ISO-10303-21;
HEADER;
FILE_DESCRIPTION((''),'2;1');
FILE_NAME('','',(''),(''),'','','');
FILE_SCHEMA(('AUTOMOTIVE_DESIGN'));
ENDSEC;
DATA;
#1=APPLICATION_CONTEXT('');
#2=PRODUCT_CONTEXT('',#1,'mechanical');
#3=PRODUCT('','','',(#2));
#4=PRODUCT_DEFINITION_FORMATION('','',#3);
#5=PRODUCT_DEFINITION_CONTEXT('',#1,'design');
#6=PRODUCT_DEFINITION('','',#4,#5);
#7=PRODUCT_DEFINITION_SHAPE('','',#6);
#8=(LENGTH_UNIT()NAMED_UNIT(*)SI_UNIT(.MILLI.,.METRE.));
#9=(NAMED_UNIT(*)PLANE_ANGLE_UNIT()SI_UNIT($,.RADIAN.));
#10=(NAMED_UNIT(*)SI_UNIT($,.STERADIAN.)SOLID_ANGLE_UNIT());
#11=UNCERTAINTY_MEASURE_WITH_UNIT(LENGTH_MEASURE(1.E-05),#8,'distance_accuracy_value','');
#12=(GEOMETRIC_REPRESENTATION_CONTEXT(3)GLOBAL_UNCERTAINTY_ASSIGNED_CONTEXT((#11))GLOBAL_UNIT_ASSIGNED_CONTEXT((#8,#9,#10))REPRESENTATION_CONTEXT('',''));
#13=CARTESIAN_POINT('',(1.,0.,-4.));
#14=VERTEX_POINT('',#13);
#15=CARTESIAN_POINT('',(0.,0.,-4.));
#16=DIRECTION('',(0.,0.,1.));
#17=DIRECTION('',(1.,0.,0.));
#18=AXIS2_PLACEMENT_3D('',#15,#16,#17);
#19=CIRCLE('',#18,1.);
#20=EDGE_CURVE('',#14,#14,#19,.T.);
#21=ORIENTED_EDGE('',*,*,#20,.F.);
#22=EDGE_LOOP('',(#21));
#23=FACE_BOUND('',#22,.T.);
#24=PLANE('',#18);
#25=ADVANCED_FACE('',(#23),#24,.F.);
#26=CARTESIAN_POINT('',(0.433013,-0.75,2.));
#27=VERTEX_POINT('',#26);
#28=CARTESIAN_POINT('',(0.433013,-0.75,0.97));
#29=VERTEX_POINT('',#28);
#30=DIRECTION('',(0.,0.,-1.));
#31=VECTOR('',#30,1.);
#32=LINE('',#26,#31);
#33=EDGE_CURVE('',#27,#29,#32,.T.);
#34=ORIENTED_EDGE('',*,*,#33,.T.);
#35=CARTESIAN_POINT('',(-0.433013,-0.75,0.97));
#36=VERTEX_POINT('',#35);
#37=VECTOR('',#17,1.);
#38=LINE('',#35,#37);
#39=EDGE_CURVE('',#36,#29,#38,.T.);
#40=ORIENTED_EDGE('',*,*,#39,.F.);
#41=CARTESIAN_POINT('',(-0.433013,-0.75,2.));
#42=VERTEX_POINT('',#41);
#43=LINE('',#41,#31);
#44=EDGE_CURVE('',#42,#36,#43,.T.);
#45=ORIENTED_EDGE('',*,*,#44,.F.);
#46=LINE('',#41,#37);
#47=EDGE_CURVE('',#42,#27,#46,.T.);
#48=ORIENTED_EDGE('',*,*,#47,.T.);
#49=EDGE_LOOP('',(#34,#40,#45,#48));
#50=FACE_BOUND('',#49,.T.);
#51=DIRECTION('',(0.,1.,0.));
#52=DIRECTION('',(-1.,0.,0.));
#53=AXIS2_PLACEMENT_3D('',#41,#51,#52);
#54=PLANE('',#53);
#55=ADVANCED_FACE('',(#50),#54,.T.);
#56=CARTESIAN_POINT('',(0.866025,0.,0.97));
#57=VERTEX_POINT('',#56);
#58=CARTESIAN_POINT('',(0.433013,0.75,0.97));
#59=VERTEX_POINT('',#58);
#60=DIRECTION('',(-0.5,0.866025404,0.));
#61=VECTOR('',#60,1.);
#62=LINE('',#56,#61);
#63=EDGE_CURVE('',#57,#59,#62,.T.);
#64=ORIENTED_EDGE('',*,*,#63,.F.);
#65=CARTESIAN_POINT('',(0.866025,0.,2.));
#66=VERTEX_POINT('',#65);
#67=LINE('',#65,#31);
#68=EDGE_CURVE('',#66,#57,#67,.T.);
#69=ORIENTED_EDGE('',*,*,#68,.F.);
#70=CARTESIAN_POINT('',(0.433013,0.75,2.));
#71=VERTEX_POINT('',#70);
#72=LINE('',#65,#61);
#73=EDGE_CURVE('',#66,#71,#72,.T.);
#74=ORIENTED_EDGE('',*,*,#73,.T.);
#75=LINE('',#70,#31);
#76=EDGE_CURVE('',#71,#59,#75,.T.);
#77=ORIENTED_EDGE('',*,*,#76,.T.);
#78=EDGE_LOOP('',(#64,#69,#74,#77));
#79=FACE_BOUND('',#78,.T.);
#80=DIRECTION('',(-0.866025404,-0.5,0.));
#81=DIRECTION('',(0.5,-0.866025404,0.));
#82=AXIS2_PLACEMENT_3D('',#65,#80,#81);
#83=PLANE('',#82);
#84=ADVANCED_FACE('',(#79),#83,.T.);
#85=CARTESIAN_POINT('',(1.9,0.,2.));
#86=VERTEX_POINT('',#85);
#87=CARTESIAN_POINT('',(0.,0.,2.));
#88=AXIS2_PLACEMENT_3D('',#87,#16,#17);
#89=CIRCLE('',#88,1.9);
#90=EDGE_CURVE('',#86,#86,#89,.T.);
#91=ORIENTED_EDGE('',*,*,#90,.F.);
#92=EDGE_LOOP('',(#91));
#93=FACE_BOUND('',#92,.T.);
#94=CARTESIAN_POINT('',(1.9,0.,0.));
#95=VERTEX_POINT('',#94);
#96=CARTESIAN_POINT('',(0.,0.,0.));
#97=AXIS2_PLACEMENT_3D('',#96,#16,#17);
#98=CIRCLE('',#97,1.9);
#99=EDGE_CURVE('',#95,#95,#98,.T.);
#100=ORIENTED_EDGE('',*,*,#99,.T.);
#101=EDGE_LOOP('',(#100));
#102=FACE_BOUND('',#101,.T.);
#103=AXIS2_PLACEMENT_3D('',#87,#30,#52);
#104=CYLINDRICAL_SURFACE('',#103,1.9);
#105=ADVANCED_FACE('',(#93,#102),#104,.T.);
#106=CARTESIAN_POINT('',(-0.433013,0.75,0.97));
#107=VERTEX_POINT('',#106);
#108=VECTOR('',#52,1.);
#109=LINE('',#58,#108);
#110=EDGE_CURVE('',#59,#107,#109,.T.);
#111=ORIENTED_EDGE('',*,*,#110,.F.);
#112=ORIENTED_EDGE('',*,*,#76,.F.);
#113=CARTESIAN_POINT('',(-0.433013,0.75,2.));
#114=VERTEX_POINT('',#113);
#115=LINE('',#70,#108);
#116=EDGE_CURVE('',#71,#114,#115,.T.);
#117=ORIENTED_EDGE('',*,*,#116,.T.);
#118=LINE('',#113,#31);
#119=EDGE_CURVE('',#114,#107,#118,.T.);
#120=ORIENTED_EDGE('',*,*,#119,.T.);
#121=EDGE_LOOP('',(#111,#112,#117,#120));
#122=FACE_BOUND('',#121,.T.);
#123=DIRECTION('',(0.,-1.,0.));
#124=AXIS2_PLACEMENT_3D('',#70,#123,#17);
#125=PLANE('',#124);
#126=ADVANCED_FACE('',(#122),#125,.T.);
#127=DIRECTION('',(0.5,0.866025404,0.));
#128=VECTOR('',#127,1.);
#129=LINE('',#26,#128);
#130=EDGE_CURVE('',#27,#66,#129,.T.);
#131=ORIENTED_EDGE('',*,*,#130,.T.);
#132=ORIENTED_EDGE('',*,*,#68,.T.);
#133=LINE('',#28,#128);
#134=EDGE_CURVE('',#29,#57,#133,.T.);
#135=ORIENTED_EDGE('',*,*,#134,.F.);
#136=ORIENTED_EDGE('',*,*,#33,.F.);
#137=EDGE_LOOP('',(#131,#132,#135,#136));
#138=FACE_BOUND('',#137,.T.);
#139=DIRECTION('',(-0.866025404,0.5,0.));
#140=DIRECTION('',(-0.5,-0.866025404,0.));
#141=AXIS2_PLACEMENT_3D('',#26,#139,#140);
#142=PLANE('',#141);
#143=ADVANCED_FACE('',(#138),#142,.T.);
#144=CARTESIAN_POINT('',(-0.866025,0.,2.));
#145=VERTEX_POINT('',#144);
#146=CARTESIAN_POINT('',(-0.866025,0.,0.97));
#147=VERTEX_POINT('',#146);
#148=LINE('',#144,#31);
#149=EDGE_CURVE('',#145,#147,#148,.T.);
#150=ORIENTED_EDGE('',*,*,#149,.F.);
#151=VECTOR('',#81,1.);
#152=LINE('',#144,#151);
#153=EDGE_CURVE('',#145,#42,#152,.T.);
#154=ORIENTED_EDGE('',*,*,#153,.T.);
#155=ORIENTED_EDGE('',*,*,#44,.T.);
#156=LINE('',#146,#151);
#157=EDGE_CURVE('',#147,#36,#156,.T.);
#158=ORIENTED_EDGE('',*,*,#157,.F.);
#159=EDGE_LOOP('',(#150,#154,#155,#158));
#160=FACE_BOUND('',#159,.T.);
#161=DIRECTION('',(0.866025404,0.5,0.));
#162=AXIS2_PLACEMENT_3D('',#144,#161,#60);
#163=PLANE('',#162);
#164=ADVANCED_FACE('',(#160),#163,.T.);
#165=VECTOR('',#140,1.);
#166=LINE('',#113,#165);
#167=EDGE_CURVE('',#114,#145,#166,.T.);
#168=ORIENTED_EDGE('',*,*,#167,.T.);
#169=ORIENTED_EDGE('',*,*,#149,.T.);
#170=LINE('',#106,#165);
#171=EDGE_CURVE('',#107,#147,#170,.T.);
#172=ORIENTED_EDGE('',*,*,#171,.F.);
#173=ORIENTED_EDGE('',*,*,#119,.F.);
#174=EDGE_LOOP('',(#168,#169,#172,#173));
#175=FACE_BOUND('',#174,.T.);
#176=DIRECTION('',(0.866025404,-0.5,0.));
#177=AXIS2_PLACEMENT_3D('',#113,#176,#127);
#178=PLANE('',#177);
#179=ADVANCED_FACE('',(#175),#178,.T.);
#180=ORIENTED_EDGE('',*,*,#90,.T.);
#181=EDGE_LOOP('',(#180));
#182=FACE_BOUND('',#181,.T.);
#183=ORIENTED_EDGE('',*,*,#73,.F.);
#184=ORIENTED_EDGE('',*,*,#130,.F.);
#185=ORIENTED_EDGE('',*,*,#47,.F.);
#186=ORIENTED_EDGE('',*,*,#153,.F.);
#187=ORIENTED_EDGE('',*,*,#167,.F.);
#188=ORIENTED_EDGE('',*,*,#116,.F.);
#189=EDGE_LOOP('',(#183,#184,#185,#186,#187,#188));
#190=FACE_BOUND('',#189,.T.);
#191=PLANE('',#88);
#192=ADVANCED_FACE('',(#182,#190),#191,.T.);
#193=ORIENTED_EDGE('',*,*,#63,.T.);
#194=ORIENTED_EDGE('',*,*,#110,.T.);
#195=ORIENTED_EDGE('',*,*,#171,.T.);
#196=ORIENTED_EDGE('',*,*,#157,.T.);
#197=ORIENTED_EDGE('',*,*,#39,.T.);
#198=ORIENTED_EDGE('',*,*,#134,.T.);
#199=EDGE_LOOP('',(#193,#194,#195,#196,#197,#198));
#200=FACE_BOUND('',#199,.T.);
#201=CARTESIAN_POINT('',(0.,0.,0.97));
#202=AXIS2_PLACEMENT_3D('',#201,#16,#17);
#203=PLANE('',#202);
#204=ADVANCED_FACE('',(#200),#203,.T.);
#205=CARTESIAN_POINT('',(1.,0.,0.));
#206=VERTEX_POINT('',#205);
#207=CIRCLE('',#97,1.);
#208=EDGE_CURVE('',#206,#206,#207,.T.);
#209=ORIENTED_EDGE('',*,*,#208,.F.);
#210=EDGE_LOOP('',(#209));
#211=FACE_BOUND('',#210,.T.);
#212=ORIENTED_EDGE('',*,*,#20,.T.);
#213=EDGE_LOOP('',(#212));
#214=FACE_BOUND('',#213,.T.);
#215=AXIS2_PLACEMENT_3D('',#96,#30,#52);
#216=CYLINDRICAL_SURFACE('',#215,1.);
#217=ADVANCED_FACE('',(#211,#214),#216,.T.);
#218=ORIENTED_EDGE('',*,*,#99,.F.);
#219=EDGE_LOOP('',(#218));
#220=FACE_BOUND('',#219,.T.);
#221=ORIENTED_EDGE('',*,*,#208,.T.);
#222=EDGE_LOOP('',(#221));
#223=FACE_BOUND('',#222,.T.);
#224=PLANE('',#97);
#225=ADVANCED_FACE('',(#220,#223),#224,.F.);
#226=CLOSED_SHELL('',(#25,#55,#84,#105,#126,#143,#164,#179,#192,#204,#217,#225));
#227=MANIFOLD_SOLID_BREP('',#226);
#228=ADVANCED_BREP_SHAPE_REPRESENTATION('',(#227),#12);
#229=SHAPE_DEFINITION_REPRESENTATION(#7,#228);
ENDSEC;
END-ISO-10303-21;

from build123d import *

# Parameters (mm, degrees)
ISO4762_HEAD_SKETCH_R                   = 1.9
ISO4762_HEAD_DEPTH                      = 2
THREAD_MAJOR_DIAMETER_ENVELOPE_START    = -4
THREAD_MAJOR_DIAMETER_ENVELOPE_SKETCH_R = 1
THREAD_MAJOR_DIAMETER_ENVELOPE_DEPTH    = 4
HEX_SOCKET_START                        = 0.97
HEX_SOCKET_DEPTH                        = 1.03


with BuildPart() as part:
    # ISO4762_head_Sketch → ISO4762_head (new body)
    with BuildSketch(Plane.XY):
        Circle(ISO4762_HEAD_SKETCH_R)
    extrude(amount=ISO4762_HEAD_DEPTH)

    # Thread_major_diameter_envelope_Sketch → Thread_major_diameter_envelope (add)
    with BuildSketch(Plane.XY.offset(THREAD_MAJOR_DIAMETER_ENVELOPE_START)):
        Circle(THREAD_MAJOR_DIAMETER_ENVELOPE_SKETCH_R)
    extrude(amount=THREAD_MAJOR_DIAMETER_ENVELOPE_DEPTH)

    # Hex_socket_Sketch → Hex_socket (cut)
    with BuildSketch(Plane.XY.offset(HEX_SOCKET_START)):
        Polygon((0.866025404, 0), (0.433012702, 0.75), (-0.433012702, 0.75), (-0.866025404, 0), (-0.433012702, -0.75), (0.433012702, -0.75), align=None)
    extrude(amount=HEX_SOCKET_DEPTH, mode=Mode.SUBTRACT)


solid = part.part
